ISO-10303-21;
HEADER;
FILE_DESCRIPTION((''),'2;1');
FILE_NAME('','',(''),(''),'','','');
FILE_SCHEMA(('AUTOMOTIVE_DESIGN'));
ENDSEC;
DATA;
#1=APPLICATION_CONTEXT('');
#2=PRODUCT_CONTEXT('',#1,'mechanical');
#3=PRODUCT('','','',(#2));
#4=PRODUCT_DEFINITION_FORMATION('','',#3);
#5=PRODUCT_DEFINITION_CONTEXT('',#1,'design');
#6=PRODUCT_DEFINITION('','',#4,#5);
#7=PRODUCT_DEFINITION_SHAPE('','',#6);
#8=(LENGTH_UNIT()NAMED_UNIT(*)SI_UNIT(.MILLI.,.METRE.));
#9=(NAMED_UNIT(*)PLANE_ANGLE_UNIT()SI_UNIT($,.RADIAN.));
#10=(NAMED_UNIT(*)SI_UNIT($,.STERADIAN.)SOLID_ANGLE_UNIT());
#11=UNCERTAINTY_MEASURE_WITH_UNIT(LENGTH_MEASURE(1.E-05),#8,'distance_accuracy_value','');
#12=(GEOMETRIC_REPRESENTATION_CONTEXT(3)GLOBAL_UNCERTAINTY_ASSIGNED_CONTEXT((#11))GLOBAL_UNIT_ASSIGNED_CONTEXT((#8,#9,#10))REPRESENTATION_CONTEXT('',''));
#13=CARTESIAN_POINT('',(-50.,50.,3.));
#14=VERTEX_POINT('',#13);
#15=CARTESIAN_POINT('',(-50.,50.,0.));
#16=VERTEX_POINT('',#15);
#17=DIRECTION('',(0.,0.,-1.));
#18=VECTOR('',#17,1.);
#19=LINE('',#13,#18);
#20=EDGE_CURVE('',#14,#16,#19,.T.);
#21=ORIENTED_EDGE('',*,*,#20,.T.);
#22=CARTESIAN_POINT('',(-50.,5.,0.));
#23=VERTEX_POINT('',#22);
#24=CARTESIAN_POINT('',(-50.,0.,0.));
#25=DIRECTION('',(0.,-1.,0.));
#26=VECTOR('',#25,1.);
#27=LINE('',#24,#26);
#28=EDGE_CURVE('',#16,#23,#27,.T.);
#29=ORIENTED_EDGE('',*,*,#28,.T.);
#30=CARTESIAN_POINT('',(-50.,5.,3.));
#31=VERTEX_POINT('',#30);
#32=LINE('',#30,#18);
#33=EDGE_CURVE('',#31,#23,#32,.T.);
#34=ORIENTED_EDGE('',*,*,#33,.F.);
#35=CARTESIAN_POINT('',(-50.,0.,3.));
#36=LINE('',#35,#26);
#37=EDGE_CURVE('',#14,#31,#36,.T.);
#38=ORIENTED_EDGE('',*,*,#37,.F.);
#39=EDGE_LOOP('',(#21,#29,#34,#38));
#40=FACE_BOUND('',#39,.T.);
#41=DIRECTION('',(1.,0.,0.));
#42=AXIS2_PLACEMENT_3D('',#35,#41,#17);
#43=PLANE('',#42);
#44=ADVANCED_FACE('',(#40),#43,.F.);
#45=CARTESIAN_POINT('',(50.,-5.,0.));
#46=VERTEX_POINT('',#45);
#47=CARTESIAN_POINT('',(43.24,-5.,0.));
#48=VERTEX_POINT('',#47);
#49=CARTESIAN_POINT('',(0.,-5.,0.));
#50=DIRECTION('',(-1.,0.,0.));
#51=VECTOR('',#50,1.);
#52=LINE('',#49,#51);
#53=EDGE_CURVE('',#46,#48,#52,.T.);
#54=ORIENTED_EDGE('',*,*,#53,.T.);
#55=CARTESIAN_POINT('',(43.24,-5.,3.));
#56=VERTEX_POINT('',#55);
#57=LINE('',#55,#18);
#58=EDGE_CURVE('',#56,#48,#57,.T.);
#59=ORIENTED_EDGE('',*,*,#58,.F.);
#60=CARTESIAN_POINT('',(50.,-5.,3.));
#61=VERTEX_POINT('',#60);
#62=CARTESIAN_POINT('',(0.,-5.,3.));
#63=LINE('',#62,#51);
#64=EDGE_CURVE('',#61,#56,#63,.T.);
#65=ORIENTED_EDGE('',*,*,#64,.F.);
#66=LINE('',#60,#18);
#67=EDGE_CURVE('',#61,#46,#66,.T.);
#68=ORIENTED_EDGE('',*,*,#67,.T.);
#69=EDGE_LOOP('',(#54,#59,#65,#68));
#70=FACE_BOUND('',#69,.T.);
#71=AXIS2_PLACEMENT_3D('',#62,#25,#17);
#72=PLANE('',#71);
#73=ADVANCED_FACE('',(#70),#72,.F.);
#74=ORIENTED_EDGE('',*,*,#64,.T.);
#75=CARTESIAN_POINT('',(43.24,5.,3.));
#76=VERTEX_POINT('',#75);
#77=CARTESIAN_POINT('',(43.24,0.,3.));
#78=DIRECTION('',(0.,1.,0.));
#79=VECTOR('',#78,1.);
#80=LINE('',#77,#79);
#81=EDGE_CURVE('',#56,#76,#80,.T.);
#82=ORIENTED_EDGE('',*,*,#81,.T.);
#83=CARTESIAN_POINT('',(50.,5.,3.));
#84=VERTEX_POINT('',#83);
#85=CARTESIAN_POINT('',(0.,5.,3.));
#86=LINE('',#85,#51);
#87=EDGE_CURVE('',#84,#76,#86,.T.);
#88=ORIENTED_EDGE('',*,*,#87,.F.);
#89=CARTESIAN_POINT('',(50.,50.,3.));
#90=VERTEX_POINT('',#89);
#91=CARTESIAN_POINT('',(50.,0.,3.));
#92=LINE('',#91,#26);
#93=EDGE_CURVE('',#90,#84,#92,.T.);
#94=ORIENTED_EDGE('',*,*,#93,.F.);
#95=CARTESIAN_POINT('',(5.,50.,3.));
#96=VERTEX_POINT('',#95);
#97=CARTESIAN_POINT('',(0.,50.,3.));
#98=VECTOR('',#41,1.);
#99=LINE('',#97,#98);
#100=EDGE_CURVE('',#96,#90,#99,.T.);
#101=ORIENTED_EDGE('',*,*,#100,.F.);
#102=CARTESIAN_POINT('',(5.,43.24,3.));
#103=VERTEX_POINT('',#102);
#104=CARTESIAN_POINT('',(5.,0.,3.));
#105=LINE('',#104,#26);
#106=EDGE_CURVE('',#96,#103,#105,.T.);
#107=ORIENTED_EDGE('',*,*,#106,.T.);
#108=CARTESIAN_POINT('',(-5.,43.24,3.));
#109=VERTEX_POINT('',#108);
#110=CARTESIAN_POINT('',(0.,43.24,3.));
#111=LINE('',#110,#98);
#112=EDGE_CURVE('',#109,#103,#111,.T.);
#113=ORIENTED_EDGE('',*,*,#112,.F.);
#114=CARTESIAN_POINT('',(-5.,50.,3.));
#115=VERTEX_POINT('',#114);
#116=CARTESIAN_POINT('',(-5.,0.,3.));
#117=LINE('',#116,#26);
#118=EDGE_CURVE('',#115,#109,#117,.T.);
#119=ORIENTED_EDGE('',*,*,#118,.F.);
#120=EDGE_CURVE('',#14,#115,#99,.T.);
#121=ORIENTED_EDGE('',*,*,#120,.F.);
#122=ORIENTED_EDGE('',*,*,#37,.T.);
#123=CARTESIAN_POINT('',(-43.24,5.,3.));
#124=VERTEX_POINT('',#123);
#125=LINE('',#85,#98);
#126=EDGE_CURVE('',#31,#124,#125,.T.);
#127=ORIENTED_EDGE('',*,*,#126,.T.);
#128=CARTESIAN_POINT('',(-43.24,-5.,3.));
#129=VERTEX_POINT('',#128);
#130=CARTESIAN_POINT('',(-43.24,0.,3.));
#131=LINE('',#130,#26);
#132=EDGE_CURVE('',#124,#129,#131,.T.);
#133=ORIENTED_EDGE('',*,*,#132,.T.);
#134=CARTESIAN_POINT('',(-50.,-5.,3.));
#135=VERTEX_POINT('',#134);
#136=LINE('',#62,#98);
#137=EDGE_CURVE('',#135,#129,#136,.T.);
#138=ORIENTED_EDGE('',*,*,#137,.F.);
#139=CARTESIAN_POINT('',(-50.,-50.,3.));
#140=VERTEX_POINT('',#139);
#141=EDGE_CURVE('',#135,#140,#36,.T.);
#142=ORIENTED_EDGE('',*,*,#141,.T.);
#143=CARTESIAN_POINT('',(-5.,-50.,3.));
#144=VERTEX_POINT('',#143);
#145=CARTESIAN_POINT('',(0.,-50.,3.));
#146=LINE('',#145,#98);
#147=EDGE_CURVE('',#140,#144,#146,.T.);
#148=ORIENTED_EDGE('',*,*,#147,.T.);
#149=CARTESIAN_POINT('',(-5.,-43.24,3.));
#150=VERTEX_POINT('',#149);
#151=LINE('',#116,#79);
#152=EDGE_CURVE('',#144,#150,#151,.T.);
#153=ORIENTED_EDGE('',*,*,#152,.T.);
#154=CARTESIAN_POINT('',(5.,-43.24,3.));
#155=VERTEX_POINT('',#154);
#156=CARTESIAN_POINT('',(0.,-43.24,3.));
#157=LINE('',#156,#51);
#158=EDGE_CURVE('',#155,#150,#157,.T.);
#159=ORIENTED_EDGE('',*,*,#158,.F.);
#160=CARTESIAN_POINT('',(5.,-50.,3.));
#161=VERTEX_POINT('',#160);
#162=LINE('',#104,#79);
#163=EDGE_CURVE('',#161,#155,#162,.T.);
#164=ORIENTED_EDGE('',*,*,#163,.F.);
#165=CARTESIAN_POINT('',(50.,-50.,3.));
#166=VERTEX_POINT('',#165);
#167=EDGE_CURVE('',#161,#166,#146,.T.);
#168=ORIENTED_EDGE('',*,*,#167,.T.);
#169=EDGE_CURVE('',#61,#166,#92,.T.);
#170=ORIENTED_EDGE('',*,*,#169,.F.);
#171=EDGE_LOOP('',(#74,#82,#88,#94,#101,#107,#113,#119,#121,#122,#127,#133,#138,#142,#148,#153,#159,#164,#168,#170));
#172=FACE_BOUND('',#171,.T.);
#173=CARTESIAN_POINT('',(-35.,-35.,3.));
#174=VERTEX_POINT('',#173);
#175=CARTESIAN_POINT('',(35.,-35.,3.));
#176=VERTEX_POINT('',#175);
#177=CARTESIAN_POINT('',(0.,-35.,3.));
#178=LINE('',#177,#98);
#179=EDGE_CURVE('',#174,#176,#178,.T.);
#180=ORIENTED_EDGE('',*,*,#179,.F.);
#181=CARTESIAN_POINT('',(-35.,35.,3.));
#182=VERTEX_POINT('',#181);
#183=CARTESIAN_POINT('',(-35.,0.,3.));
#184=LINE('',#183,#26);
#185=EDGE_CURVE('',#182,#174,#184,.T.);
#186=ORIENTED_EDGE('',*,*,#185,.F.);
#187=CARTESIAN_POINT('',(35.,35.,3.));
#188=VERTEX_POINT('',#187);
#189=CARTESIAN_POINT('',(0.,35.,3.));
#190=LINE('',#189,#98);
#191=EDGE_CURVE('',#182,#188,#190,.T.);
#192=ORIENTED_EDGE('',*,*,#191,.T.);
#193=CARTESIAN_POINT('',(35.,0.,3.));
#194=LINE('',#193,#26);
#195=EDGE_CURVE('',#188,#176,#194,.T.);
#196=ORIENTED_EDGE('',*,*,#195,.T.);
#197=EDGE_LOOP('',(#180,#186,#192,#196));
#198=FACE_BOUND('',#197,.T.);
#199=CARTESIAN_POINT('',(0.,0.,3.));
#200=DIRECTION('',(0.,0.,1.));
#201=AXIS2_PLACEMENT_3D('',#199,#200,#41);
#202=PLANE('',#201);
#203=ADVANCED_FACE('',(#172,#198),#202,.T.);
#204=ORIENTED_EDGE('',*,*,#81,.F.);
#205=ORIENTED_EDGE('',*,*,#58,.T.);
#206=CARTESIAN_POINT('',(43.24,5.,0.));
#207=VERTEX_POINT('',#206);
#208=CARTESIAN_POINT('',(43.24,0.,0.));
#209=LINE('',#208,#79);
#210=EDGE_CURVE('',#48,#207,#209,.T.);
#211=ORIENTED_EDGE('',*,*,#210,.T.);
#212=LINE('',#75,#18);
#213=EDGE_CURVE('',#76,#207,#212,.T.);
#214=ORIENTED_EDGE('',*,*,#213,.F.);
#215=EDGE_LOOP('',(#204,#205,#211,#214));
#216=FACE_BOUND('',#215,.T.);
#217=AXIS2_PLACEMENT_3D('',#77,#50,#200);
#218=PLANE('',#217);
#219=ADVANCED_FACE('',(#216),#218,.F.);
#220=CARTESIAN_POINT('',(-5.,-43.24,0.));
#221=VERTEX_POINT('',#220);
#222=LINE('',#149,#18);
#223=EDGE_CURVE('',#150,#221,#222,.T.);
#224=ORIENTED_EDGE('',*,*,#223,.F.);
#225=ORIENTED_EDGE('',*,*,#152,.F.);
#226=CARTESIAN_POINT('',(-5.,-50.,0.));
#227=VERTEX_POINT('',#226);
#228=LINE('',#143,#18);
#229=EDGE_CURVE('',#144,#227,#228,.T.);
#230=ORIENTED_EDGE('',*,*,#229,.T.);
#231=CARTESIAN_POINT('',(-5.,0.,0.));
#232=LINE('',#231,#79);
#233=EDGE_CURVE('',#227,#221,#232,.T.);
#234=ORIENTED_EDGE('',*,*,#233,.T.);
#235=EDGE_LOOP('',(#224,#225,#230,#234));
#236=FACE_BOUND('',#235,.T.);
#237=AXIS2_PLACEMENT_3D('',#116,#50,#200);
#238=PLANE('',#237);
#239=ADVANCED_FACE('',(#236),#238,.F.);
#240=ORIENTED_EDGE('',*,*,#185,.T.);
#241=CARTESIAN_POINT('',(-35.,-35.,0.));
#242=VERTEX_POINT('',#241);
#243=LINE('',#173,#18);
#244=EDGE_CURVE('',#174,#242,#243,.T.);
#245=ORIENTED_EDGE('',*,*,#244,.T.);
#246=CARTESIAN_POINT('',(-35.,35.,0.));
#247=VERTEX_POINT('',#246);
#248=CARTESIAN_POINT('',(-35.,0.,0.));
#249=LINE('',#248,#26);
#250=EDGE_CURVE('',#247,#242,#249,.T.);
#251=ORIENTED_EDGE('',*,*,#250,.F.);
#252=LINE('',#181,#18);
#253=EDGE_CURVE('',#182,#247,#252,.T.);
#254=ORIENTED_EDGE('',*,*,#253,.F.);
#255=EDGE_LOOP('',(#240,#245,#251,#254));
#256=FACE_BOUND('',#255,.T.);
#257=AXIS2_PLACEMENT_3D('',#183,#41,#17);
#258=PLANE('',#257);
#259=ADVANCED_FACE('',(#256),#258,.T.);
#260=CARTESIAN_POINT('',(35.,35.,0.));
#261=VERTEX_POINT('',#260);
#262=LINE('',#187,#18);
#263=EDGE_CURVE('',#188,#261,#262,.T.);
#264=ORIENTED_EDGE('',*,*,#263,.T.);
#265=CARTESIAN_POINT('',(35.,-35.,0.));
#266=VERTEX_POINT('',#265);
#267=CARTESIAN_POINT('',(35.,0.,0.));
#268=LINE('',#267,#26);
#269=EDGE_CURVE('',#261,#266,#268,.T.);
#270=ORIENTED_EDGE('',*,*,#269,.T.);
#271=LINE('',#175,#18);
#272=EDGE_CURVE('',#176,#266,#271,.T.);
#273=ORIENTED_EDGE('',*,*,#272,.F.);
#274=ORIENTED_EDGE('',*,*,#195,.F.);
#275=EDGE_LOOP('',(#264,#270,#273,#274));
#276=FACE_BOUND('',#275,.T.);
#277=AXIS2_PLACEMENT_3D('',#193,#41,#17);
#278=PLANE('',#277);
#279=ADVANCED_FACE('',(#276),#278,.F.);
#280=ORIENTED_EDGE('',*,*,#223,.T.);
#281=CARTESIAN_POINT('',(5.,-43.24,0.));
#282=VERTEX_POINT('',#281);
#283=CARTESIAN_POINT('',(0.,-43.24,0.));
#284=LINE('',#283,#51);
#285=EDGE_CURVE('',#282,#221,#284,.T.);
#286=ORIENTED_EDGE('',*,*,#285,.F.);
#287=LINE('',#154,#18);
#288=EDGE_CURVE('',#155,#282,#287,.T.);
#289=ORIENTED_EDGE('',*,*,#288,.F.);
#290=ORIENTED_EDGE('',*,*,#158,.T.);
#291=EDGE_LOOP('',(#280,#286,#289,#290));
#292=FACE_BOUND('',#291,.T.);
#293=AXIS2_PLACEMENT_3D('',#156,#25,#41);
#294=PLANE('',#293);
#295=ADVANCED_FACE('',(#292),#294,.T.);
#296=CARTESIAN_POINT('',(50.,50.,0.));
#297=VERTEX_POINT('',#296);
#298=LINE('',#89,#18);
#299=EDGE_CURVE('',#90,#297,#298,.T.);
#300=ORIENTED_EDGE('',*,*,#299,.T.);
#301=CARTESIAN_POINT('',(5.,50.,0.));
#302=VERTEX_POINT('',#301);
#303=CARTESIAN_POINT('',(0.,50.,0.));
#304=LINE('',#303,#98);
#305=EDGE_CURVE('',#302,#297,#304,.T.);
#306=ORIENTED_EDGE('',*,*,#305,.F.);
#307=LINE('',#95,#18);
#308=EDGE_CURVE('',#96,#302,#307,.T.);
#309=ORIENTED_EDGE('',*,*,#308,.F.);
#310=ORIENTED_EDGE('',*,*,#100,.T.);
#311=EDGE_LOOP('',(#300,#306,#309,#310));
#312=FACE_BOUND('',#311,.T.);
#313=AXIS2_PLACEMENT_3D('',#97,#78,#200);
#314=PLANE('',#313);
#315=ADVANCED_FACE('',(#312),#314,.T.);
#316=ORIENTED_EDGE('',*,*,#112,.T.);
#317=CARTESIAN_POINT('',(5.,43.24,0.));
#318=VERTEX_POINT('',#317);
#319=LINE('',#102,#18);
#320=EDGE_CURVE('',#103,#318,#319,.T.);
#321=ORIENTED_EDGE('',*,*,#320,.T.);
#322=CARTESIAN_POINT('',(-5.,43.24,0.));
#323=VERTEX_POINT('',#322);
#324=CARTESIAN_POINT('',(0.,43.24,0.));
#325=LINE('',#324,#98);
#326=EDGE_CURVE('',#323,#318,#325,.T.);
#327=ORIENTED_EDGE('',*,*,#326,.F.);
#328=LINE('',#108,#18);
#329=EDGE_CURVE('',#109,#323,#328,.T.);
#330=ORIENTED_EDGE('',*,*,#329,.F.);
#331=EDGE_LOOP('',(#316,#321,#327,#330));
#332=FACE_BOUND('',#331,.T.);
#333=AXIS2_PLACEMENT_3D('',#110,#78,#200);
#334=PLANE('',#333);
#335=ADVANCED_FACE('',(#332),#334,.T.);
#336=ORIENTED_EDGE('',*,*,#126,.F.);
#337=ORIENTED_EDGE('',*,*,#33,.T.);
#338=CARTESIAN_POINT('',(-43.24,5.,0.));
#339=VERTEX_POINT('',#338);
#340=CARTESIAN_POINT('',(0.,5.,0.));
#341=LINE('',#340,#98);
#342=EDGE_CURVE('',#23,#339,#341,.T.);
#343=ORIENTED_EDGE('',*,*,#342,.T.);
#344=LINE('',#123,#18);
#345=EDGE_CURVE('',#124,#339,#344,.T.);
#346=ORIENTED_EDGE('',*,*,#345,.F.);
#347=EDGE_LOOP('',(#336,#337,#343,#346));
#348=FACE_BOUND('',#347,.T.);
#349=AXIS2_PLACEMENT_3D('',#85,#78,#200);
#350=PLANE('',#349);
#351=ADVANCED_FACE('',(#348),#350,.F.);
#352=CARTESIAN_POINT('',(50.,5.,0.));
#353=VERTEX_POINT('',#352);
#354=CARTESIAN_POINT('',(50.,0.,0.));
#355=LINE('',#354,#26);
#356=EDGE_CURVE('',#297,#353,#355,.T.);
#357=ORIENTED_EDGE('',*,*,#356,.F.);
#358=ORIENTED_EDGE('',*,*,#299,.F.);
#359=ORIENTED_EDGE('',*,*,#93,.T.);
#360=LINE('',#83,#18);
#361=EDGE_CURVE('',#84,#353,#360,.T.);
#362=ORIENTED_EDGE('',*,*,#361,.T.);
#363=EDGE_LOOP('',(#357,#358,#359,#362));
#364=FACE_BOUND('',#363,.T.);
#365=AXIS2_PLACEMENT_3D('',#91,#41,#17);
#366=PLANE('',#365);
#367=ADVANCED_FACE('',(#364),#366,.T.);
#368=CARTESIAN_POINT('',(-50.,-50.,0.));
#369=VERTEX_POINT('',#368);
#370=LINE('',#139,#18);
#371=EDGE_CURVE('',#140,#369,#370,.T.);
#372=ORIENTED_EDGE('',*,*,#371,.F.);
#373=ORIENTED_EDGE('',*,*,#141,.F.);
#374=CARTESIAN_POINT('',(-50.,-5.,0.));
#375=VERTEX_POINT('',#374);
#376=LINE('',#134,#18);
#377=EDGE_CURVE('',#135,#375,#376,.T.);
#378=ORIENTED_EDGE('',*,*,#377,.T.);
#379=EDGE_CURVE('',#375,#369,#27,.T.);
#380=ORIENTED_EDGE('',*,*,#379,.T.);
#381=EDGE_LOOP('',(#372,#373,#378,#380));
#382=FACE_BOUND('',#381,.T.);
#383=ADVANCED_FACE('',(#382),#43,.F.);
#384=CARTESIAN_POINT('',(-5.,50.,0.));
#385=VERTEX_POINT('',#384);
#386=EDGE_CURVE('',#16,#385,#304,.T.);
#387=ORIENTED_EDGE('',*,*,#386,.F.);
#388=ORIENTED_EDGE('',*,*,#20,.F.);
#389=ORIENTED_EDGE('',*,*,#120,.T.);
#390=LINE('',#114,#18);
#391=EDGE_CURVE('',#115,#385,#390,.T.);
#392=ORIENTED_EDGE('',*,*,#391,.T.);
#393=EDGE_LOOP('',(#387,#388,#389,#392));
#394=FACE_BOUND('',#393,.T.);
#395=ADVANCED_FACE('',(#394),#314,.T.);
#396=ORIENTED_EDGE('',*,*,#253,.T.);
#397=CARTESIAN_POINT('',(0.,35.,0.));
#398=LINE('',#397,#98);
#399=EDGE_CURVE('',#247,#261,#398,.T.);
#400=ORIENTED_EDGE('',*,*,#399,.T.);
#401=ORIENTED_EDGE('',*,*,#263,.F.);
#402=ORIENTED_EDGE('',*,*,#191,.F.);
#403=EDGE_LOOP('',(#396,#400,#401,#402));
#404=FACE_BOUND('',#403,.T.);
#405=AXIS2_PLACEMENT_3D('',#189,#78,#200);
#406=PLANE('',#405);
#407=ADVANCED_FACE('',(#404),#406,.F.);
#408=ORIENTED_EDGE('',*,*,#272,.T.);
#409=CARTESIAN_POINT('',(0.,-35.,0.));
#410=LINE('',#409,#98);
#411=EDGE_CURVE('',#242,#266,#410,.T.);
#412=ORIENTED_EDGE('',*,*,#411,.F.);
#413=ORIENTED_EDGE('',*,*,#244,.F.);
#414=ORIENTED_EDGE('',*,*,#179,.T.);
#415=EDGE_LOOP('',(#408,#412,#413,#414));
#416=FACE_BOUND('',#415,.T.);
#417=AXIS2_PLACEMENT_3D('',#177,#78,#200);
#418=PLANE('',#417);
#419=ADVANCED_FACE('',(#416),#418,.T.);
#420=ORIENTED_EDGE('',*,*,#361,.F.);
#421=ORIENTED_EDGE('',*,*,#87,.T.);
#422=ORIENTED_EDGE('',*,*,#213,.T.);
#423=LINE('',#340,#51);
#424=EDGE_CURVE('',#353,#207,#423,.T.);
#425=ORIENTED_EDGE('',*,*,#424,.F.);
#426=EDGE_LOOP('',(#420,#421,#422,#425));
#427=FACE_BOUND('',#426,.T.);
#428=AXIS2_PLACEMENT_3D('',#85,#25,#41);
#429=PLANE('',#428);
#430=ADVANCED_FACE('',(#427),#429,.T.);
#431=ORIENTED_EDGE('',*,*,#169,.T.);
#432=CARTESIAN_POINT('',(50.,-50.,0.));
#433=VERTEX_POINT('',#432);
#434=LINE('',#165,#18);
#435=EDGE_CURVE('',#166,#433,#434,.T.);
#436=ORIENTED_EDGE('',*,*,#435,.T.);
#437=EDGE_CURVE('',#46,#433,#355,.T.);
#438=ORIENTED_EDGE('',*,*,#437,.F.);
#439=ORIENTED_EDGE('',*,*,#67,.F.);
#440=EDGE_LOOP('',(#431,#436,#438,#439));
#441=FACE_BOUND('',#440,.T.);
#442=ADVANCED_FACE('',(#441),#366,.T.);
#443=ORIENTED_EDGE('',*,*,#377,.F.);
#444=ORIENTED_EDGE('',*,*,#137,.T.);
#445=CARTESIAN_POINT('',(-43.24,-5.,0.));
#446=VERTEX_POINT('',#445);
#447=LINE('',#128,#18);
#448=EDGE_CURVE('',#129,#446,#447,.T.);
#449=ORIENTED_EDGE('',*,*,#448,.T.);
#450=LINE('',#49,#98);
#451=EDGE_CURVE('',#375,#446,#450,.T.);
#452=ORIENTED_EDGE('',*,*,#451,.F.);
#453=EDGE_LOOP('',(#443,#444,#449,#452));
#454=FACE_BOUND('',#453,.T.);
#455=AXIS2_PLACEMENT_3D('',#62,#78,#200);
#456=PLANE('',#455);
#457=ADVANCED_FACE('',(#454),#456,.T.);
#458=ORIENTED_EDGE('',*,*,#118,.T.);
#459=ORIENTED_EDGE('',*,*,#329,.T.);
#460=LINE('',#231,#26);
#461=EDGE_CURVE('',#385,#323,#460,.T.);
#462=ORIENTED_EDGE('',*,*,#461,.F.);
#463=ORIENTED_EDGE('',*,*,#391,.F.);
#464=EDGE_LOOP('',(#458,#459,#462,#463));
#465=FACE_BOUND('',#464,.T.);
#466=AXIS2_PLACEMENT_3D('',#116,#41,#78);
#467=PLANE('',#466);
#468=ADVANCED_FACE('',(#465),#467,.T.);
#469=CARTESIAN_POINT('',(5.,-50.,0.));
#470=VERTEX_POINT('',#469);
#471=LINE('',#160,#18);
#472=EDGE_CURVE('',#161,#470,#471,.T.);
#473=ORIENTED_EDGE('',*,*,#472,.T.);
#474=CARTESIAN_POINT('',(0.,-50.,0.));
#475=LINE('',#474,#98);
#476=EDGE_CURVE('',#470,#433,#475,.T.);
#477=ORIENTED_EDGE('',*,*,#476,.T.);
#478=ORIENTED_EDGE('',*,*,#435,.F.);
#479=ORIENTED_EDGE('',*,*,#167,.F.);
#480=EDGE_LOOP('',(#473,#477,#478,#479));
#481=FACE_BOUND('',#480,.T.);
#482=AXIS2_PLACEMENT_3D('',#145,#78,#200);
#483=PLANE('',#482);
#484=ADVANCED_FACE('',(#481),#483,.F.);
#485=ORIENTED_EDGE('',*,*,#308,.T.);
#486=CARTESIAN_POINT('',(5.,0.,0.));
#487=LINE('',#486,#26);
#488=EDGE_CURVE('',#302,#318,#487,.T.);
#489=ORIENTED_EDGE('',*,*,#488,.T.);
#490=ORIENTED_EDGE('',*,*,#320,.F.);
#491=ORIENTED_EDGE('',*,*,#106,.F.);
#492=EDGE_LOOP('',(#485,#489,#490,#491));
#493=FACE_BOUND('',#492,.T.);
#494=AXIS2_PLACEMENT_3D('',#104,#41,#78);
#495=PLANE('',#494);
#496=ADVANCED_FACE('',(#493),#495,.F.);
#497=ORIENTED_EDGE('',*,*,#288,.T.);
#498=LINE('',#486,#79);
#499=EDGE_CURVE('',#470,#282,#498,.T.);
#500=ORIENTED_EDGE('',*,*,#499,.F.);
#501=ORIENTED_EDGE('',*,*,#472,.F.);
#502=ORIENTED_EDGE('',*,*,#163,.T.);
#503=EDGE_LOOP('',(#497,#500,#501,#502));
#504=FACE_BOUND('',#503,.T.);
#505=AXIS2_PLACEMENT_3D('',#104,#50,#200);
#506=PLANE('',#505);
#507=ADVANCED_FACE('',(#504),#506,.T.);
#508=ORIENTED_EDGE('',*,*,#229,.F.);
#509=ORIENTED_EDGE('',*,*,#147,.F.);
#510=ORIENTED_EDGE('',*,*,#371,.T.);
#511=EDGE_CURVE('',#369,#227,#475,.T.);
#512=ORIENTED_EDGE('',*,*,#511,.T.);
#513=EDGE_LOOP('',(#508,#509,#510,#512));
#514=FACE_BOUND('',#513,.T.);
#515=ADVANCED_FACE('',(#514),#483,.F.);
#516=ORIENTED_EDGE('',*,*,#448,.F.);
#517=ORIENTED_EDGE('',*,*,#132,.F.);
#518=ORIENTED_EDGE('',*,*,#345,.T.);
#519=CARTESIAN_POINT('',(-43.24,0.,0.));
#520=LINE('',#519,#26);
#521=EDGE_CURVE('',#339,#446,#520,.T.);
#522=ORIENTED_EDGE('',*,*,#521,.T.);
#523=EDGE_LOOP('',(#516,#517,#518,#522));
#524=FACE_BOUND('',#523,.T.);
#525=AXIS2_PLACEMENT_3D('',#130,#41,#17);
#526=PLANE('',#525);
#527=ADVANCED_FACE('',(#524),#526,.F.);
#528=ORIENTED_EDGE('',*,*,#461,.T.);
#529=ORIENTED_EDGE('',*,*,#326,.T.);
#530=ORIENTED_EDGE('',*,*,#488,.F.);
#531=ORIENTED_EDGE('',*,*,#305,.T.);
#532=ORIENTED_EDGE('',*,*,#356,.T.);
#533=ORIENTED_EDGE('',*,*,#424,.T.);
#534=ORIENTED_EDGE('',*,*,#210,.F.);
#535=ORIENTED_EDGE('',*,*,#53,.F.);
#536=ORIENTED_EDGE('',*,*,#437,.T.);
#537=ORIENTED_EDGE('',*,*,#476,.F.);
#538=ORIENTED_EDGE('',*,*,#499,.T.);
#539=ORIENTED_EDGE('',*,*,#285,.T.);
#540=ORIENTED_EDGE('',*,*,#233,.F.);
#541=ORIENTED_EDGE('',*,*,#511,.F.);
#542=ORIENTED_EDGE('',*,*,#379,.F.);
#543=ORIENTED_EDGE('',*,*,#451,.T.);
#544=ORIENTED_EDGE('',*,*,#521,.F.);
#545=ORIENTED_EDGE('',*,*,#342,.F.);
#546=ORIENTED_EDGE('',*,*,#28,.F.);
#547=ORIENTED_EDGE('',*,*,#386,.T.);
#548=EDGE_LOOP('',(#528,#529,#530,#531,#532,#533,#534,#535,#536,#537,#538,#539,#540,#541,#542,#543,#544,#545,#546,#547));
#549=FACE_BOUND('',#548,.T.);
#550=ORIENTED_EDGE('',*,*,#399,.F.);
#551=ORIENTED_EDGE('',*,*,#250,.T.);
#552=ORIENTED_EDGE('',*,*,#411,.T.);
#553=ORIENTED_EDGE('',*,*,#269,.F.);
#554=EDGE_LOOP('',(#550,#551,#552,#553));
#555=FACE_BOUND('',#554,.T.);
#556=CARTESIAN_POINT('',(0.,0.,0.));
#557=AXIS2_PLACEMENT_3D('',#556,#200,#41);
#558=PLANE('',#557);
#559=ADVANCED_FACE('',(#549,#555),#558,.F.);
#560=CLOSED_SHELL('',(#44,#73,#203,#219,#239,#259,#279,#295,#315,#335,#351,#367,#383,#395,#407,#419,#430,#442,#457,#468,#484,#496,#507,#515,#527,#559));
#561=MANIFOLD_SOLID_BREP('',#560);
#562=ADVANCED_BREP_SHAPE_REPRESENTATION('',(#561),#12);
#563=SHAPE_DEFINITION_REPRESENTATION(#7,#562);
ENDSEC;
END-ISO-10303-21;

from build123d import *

# Parameters (mm, degrees)
SKETCH1_W           = 70
SKETCH1_H           = 70
BOSS_EXTRUDE1_DEPTH = 3


with BuildPart() as part:
    # Sketch1 → Boss-Extrude1 (new body)
    with BuildSketch(Plane.XY):
        Polygon((-5, 50), (-50, 50), (-50, 5), (-43.24, 5), (-43.24, -5), (-50, -5), (-50, -50), (-5, -50), (-5, -43.24), (5, -43.24), (5, -50), (50, -50), (50, -5), (43.24, -5), (43.24, 5), (50, 5), (50, 50), (5, 50), (5, 43.24), (-5, 43.24), align=None)
        Rectangle(SKETCH1_W, SKETCH1_H, mode=Mode.SUBTRACT)
    extrude(amount=BOSS_EXTRUDE1_DEPTH)


solid = part.part
